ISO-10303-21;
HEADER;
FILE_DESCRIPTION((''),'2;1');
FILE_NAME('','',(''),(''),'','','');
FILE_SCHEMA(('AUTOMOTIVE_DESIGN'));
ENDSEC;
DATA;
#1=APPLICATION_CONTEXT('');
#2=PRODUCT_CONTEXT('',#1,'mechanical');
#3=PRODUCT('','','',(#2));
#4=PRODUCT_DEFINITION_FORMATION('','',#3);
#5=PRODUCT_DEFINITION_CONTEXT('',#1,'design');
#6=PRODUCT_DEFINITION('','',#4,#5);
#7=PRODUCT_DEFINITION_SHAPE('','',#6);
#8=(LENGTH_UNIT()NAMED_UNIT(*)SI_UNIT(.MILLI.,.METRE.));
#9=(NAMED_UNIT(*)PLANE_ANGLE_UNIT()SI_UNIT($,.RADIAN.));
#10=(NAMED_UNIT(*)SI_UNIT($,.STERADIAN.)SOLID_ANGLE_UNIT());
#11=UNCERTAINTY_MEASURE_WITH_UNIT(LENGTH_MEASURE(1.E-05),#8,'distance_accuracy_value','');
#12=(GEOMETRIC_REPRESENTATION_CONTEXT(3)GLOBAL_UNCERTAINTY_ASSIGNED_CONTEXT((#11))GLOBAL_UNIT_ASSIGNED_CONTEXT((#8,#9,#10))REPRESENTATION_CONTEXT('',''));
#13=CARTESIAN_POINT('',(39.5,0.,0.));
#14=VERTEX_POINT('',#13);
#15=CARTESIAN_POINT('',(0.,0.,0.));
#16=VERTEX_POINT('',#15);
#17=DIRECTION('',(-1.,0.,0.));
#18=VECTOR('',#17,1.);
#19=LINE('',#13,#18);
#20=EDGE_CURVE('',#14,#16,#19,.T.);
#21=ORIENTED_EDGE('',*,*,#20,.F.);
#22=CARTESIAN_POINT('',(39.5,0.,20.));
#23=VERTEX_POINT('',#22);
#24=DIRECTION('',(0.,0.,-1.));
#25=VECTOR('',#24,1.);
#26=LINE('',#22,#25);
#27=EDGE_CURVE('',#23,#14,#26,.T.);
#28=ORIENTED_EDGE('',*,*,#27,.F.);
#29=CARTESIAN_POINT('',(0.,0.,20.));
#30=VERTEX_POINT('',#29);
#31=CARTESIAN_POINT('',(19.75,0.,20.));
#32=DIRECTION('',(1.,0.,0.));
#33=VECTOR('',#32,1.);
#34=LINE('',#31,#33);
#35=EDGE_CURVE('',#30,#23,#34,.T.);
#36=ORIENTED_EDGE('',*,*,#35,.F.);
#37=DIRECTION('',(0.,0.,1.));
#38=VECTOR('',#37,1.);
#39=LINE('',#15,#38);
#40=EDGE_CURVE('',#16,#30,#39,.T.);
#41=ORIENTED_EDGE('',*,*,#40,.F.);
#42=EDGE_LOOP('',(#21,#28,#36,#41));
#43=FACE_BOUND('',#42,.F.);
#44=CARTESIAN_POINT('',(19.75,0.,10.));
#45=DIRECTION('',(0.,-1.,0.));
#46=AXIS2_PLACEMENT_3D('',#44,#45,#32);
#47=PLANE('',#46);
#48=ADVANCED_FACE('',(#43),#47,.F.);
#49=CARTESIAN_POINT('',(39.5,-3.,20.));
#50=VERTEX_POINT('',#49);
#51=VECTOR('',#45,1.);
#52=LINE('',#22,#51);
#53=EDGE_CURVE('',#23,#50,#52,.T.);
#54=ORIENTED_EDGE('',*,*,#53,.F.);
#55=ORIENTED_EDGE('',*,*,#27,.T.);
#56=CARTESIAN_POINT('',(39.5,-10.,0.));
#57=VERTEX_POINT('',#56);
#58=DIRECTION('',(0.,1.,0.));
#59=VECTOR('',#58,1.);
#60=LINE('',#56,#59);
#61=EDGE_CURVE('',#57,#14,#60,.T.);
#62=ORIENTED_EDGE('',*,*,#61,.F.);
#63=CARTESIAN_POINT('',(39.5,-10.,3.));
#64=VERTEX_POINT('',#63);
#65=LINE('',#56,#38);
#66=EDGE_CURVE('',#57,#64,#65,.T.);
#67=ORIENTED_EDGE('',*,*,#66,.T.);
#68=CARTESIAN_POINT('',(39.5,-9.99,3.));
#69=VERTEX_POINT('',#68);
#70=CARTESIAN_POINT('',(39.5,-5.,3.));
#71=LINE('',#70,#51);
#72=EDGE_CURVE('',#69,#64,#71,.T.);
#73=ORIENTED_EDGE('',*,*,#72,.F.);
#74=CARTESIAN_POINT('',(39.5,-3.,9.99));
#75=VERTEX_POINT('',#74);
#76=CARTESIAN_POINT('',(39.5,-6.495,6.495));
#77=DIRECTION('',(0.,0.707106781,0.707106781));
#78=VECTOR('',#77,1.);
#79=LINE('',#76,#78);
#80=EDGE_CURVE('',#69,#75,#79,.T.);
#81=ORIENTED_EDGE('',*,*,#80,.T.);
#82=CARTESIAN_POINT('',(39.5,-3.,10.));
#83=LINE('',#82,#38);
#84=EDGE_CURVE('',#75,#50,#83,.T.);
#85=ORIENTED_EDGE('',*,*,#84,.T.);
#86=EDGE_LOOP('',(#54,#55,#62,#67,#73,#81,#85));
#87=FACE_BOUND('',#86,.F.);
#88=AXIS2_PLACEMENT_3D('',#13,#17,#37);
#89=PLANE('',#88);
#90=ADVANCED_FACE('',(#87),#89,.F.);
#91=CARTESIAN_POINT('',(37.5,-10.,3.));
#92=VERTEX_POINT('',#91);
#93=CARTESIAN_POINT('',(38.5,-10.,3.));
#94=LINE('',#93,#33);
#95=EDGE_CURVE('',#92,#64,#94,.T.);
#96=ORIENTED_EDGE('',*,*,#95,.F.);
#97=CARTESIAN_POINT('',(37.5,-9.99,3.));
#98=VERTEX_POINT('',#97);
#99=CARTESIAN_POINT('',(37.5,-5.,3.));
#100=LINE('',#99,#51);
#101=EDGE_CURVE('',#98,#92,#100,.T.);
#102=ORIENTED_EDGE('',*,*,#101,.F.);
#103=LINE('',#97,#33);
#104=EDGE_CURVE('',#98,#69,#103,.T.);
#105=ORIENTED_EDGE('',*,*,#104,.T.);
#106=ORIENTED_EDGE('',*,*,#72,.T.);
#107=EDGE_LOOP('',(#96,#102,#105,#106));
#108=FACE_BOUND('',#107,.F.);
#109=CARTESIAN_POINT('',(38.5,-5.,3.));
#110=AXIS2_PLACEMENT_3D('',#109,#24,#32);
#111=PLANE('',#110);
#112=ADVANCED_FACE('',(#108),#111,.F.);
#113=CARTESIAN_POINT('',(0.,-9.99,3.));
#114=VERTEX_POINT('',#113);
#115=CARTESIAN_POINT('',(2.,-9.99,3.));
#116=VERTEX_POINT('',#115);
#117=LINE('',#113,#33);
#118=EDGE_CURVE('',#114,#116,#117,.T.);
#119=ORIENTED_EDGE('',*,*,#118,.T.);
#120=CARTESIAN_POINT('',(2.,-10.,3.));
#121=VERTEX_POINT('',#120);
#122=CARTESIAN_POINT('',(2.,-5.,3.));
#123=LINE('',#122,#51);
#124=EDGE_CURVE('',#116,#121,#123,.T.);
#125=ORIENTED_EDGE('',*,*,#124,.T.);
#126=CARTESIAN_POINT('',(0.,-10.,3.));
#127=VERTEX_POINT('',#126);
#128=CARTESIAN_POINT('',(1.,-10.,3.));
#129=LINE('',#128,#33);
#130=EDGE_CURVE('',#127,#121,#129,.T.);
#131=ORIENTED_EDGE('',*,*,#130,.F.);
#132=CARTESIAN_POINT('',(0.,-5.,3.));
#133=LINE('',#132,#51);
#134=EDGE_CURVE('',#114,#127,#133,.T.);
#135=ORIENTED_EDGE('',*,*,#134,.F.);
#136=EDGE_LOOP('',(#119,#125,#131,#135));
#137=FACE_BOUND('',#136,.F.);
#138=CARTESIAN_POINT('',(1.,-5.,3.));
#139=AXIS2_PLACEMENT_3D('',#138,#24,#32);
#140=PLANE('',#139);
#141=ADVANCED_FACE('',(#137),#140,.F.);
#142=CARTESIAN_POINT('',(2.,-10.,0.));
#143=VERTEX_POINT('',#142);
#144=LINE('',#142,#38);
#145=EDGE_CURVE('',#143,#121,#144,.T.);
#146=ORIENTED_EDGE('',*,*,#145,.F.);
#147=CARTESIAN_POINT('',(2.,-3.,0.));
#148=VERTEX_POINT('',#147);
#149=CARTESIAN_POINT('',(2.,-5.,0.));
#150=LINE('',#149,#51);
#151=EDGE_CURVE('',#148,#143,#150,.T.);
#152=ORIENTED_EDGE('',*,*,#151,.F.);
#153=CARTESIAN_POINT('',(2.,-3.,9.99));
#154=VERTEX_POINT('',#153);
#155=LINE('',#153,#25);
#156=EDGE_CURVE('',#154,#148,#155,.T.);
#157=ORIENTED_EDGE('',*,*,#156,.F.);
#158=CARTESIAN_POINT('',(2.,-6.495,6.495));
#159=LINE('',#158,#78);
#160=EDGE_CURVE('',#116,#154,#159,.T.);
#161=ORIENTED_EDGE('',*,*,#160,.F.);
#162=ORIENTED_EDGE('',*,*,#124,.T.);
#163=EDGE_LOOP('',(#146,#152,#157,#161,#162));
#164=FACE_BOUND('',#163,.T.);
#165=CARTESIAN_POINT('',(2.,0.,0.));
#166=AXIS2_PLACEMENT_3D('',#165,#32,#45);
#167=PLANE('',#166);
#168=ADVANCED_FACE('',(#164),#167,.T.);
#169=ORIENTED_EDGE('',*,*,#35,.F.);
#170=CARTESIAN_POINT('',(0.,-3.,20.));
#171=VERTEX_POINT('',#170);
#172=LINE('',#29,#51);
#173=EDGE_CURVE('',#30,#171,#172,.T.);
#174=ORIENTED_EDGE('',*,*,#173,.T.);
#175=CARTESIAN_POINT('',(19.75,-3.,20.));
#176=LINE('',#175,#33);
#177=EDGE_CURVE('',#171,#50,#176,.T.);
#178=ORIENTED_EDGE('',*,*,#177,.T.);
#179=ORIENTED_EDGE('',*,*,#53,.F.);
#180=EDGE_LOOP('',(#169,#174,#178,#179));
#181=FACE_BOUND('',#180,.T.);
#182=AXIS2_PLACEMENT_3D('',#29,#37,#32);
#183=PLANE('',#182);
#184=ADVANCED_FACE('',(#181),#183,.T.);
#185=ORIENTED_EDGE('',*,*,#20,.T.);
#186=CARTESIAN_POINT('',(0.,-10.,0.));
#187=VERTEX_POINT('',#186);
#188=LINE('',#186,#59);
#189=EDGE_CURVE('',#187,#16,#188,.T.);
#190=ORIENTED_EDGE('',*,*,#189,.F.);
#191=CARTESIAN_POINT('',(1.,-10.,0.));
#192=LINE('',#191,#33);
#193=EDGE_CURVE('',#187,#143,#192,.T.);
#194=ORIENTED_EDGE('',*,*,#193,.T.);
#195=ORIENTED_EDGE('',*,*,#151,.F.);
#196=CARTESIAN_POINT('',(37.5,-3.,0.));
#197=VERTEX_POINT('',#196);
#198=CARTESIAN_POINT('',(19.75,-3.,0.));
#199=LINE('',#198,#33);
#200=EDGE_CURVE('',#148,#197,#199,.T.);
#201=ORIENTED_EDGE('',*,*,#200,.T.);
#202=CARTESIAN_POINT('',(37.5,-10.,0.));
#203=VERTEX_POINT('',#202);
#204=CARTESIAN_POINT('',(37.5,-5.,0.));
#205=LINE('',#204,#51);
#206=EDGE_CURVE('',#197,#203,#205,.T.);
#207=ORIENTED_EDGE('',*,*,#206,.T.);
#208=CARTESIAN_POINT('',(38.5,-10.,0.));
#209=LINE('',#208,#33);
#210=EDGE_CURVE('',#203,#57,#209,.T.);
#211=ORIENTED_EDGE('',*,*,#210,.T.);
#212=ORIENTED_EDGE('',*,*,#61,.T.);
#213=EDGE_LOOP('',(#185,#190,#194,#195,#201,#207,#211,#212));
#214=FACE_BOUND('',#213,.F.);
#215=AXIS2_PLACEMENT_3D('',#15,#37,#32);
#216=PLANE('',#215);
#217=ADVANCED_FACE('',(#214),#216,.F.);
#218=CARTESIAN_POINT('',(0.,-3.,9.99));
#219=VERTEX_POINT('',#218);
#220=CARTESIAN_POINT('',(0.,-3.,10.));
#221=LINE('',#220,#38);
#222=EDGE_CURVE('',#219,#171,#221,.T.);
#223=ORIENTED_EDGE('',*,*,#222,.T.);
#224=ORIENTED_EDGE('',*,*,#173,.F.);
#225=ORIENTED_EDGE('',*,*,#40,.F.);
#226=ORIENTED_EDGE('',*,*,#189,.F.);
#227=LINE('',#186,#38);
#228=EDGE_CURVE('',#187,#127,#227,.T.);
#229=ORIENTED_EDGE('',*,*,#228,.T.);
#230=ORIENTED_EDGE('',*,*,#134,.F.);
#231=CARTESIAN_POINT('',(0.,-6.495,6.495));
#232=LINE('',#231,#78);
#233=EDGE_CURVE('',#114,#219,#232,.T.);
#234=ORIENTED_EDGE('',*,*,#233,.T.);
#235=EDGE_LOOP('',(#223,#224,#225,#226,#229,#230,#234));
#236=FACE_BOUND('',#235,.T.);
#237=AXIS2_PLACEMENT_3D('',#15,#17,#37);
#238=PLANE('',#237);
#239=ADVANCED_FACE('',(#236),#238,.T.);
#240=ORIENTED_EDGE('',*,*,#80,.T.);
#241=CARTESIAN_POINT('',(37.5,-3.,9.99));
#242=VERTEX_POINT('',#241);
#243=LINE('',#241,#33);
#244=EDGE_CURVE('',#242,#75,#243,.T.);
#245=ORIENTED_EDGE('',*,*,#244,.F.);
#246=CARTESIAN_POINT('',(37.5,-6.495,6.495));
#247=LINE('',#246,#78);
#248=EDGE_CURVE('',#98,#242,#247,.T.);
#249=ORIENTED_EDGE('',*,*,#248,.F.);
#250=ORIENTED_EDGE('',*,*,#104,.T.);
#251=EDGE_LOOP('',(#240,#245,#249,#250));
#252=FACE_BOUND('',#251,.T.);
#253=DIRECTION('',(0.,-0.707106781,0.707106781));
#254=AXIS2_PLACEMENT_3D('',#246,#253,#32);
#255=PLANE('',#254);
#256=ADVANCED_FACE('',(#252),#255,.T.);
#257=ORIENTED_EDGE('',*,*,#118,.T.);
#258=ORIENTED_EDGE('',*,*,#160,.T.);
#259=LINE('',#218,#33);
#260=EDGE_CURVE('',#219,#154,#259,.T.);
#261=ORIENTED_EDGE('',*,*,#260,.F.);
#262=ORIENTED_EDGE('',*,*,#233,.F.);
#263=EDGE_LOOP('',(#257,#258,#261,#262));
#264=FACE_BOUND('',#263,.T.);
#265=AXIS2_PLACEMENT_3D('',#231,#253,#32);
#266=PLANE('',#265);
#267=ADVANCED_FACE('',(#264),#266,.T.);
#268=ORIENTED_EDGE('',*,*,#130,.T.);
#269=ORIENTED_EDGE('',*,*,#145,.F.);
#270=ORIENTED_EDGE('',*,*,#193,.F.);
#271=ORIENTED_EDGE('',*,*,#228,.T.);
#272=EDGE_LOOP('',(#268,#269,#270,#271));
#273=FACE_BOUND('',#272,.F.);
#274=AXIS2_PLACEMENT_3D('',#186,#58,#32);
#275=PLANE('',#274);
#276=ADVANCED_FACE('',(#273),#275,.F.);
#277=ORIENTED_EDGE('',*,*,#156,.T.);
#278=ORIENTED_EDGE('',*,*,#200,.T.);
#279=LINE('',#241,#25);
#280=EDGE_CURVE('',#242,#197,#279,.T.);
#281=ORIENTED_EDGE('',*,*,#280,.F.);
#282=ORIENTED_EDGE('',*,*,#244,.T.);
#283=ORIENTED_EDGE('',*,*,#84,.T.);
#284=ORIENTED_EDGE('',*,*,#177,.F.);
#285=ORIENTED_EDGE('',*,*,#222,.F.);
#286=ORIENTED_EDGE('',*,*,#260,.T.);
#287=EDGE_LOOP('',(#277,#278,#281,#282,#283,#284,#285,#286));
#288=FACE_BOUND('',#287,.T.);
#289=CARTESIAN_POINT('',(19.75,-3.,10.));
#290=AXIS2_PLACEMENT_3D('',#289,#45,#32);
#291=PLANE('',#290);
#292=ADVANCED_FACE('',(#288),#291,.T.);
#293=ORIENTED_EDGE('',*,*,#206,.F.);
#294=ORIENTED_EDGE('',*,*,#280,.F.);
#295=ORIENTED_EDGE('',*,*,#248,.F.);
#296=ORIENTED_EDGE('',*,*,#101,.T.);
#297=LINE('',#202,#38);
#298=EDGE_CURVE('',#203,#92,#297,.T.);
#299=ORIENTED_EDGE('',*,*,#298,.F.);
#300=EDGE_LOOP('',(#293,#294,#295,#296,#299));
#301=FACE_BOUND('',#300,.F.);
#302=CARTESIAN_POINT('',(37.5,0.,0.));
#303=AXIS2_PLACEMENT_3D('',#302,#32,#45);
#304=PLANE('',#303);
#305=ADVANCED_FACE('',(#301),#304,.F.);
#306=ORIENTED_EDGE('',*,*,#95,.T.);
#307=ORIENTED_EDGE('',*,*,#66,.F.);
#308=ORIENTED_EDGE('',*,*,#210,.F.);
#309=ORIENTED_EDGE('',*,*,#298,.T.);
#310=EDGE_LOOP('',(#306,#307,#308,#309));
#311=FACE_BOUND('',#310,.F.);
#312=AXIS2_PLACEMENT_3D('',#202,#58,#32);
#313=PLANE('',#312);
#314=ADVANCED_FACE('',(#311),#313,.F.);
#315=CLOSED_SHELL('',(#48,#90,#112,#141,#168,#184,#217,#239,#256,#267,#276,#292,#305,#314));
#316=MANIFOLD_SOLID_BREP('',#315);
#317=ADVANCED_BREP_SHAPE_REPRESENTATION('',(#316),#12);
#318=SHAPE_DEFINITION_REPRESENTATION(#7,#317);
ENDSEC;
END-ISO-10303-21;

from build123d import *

# Parameters (mm, degrees)
SKETCH_W        = 39.5
SKETCH_H        = 20
PAD_DEPTH       = 3
SKETCH001_W     = 2
SKETCH001_H     = 10
PAD001_DEPTH    = 3
CHAMFER_SIZE    = 6.99
CHAMFER001_SIZE = 6.99


with BuildPart() as part:
    # Sketch → Pad (new body)
    with BuildSketch(Plane.XZ):
        with Locations((19.75, 10)):
            Rectangle(SKETCH_W, SKETCH_H)
    extrude(amount=PAD_DEPTH)

    # Sketch001 → Pad001 (new body)
    with BuildSketch(Plane(origin=(0, 0, 0), x_dir=(1, 0, 0), z_dir=(0, 0, -1))):
        with Locations((38.5, 5)):
            Rectangle(SKETCH001_W, SKETCH001_H)
        with Locations((1, 5)):
            Rectangle(SKETCH001_W, SKETCH001_H)
    extrude(amount=-PAD001_DEPTH)

    # Chamfer
    chamfer_edges = [part.edges().sort_by_distance(p)[0] for p in [
        (38.5, -3, 3),
    ]]
    chamfer(chamfer_edges, length=CHAMFER_SIZE)

    # Chamfer001
    chamfer001_edges = [part.edges().sort_by_distance(p)[0] for p in [
        (1, -3, 3),
    ]]
    chamfer(chamfer001_edges, length=CHAMFER001_SIZE)


solid = part.part
